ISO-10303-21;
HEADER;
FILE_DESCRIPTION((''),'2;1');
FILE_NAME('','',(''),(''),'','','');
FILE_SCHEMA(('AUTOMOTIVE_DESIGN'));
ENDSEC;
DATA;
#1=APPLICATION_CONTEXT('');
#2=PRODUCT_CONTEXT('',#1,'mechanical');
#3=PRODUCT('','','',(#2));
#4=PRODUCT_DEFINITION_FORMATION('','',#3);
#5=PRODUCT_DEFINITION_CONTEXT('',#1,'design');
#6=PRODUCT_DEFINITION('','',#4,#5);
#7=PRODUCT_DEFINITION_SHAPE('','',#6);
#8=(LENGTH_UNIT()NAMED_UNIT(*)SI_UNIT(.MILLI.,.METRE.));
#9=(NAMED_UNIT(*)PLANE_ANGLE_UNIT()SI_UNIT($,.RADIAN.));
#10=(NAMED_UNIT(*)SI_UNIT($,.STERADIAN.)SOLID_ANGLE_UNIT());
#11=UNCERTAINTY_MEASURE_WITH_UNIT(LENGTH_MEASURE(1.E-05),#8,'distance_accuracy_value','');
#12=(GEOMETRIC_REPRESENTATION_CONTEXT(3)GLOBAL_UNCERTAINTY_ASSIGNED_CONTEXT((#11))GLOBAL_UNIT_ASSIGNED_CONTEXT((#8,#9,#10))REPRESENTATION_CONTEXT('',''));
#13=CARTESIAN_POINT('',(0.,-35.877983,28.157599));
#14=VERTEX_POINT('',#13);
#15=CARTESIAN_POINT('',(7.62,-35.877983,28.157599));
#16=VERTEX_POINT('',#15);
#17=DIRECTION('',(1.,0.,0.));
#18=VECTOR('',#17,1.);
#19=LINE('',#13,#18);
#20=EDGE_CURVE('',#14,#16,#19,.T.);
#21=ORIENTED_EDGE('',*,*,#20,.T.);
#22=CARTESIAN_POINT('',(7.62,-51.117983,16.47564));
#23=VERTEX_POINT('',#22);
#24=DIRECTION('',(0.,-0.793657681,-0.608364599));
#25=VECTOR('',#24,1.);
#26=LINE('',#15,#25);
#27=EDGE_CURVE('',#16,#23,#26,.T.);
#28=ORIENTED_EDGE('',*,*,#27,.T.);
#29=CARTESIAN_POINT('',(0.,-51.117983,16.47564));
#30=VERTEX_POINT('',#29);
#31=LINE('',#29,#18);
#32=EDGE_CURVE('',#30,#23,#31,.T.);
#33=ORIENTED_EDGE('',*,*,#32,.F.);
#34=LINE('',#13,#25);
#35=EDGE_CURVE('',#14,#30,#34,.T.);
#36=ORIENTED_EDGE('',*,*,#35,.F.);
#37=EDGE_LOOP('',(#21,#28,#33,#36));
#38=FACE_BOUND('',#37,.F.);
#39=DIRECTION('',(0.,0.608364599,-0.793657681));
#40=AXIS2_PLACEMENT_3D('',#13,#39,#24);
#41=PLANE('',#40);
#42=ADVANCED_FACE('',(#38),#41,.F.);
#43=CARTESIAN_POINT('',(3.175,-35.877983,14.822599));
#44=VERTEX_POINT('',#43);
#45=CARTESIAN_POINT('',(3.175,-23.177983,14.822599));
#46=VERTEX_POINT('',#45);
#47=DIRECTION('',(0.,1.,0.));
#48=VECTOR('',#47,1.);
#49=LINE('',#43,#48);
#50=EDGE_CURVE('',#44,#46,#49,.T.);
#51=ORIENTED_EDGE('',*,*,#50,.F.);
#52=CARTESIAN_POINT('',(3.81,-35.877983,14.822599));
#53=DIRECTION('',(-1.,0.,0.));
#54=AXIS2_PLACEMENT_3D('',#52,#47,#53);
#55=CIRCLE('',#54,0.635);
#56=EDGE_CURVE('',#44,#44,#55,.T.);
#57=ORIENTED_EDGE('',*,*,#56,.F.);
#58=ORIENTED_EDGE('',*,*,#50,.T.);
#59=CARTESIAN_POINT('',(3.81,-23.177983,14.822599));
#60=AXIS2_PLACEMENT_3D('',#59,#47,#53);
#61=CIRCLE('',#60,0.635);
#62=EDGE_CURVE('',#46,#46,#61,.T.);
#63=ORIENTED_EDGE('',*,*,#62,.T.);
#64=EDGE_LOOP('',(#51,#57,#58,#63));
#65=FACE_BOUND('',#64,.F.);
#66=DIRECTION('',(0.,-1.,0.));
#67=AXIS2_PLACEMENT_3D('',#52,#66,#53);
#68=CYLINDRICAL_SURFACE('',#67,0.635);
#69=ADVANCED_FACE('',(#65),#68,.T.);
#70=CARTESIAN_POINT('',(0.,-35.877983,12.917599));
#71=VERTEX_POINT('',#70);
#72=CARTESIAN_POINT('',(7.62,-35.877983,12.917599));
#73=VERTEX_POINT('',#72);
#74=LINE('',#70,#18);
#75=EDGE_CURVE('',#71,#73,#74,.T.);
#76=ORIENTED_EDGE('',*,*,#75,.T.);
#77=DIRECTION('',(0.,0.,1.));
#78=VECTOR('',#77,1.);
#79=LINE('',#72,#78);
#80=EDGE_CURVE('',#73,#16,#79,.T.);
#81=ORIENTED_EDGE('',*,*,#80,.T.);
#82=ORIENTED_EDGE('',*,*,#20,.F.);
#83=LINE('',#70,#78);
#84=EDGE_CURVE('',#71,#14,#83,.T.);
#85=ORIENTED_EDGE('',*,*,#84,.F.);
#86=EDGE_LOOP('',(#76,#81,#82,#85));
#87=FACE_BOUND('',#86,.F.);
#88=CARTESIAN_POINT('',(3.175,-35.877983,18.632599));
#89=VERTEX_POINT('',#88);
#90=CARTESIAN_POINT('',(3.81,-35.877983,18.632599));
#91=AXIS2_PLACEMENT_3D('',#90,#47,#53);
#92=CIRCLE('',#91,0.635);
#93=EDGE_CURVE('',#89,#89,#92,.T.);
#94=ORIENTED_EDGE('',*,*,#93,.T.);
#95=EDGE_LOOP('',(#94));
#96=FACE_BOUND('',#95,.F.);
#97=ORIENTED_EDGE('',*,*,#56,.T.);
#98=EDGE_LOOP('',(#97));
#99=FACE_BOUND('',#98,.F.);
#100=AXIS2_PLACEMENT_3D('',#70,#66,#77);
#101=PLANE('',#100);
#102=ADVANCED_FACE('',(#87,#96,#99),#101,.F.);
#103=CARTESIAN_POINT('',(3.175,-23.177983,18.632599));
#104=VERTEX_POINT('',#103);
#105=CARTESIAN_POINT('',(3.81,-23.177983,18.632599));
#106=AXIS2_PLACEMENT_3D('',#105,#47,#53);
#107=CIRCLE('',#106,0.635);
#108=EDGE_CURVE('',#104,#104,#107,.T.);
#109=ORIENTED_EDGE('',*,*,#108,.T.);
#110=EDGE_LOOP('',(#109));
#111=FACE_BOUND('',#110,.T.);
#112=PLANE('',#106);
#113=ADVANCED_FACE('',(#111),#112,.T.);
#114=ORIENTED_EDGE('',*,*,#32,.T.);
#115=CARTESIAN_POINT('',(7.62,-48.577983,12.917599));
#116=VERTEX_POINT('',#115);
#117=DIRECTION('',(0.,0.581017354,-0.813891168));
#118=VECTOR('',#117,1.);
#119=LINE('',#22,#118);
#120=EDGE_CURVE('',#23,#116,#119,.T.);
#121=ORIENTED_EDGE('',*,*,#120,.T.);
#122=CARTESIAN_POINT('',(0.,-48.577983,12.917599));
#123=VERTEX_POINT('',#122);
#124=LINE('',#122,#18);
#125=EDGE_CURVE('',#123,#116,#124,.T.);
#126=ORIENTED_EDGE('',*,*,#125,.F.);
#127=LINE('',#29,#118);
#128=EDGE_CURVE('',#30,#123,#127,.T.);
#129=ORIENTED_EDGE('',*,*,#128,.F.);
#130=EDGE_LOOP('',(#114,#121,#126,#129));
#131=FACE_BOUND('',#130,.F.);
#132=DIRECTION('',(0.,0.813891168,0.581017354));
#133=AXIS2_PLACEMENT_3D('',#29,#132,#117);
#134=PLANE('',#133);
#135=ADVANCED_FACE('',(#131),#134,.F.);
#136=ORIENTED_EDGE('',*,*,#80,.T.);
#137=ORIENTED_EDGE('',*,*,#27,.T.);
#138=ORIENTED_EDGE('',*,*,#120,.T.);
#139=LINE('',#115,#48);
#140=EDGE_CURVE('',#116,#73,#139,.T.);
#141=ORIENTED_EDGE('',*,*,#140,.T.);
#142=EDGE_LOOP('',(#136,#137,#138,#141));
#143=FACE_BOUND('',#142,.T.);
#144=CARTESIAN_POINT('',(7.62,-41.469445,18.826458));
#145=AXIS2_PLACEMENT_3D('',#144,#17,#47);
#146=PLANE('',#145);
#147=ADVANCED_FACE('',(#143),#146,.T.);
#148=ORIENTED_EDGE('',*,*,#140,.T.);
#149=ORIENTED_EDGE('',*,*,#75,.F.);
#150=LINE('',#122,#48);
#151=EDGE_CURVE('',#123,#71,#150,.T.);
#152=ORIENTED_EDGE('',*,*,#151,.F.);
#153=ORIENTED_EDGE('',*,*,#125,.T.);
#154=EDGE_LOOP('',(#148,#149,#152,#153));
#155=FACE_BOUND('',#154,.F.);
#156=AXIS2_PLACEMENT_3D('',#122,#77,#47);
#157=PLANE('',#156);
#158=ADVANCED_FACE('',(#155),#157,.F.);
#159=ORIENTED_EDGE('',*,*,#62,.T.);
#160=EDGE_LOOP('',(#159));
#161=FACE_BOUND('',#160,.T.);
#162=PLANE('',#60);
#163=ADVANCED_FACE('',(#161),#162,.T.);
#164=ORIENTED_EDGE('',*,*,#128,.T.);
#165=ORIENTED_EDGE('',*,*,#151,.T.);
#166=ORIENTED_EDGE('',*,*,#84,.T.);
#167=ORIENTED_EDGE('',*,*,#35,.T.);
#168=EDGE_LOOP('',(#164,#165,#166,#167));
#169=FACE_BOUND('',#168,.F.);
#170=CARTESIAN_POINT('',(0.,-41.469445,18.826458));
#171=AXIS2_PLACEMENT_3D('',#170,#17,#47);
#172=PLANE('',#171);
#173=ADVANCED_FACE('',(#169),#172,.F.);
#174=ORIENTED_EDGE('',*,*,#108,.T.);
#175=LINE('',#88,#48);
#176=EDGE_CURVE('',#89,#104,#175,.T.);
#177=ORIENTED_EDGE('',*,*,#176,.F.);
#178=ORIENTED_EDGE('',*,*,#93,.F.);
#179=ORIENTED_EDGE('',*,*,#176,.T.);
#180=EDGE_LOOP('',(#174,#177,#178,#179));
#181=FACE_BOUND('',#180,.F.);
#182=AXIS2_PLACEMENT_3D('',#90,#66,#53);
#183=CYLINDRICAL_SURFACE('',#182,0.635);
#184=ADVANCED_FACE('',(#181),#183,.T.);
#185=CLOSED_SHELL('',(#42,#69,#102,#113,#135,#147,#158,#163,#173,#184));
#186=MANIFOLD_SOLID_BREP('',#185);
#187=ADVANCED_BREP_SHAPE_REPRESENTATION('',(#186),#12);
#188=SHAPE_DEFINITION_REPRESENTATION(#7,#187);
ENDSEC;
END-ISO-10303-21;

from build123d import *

# Parameters (mm, degrees)
F1_DEPTH = 7.62
F2_R     = 0.635
F3_DEPTH = 12.7


with BuildPart() as f1:
    # F0 (on Right) → F1 (new body)
    with BuildSketch(Plane.YZ):
        Polygon((-51.117983, 16.47564), (-48.577983, 12.917599), (-35.877983, 12.917599), (-35.877983, 28.157599), align=None)
    extrude(amount=F1_DEPTH)

    # F2 (on face) → F3 (join)
    with BuildSketch(Plane(origin=(0, -35.877983, 0), x_dir=(-1, 0, 0), z_dir=(0, 1, 0))):
        with Locations((-3.81, 18.632599)):
            Circle(F2_R)
        with Locations((-3.81, 14.822599)):
            Circle(F2_R)
    extrude(amount=F3_DEPTH)


solid = f1.part
